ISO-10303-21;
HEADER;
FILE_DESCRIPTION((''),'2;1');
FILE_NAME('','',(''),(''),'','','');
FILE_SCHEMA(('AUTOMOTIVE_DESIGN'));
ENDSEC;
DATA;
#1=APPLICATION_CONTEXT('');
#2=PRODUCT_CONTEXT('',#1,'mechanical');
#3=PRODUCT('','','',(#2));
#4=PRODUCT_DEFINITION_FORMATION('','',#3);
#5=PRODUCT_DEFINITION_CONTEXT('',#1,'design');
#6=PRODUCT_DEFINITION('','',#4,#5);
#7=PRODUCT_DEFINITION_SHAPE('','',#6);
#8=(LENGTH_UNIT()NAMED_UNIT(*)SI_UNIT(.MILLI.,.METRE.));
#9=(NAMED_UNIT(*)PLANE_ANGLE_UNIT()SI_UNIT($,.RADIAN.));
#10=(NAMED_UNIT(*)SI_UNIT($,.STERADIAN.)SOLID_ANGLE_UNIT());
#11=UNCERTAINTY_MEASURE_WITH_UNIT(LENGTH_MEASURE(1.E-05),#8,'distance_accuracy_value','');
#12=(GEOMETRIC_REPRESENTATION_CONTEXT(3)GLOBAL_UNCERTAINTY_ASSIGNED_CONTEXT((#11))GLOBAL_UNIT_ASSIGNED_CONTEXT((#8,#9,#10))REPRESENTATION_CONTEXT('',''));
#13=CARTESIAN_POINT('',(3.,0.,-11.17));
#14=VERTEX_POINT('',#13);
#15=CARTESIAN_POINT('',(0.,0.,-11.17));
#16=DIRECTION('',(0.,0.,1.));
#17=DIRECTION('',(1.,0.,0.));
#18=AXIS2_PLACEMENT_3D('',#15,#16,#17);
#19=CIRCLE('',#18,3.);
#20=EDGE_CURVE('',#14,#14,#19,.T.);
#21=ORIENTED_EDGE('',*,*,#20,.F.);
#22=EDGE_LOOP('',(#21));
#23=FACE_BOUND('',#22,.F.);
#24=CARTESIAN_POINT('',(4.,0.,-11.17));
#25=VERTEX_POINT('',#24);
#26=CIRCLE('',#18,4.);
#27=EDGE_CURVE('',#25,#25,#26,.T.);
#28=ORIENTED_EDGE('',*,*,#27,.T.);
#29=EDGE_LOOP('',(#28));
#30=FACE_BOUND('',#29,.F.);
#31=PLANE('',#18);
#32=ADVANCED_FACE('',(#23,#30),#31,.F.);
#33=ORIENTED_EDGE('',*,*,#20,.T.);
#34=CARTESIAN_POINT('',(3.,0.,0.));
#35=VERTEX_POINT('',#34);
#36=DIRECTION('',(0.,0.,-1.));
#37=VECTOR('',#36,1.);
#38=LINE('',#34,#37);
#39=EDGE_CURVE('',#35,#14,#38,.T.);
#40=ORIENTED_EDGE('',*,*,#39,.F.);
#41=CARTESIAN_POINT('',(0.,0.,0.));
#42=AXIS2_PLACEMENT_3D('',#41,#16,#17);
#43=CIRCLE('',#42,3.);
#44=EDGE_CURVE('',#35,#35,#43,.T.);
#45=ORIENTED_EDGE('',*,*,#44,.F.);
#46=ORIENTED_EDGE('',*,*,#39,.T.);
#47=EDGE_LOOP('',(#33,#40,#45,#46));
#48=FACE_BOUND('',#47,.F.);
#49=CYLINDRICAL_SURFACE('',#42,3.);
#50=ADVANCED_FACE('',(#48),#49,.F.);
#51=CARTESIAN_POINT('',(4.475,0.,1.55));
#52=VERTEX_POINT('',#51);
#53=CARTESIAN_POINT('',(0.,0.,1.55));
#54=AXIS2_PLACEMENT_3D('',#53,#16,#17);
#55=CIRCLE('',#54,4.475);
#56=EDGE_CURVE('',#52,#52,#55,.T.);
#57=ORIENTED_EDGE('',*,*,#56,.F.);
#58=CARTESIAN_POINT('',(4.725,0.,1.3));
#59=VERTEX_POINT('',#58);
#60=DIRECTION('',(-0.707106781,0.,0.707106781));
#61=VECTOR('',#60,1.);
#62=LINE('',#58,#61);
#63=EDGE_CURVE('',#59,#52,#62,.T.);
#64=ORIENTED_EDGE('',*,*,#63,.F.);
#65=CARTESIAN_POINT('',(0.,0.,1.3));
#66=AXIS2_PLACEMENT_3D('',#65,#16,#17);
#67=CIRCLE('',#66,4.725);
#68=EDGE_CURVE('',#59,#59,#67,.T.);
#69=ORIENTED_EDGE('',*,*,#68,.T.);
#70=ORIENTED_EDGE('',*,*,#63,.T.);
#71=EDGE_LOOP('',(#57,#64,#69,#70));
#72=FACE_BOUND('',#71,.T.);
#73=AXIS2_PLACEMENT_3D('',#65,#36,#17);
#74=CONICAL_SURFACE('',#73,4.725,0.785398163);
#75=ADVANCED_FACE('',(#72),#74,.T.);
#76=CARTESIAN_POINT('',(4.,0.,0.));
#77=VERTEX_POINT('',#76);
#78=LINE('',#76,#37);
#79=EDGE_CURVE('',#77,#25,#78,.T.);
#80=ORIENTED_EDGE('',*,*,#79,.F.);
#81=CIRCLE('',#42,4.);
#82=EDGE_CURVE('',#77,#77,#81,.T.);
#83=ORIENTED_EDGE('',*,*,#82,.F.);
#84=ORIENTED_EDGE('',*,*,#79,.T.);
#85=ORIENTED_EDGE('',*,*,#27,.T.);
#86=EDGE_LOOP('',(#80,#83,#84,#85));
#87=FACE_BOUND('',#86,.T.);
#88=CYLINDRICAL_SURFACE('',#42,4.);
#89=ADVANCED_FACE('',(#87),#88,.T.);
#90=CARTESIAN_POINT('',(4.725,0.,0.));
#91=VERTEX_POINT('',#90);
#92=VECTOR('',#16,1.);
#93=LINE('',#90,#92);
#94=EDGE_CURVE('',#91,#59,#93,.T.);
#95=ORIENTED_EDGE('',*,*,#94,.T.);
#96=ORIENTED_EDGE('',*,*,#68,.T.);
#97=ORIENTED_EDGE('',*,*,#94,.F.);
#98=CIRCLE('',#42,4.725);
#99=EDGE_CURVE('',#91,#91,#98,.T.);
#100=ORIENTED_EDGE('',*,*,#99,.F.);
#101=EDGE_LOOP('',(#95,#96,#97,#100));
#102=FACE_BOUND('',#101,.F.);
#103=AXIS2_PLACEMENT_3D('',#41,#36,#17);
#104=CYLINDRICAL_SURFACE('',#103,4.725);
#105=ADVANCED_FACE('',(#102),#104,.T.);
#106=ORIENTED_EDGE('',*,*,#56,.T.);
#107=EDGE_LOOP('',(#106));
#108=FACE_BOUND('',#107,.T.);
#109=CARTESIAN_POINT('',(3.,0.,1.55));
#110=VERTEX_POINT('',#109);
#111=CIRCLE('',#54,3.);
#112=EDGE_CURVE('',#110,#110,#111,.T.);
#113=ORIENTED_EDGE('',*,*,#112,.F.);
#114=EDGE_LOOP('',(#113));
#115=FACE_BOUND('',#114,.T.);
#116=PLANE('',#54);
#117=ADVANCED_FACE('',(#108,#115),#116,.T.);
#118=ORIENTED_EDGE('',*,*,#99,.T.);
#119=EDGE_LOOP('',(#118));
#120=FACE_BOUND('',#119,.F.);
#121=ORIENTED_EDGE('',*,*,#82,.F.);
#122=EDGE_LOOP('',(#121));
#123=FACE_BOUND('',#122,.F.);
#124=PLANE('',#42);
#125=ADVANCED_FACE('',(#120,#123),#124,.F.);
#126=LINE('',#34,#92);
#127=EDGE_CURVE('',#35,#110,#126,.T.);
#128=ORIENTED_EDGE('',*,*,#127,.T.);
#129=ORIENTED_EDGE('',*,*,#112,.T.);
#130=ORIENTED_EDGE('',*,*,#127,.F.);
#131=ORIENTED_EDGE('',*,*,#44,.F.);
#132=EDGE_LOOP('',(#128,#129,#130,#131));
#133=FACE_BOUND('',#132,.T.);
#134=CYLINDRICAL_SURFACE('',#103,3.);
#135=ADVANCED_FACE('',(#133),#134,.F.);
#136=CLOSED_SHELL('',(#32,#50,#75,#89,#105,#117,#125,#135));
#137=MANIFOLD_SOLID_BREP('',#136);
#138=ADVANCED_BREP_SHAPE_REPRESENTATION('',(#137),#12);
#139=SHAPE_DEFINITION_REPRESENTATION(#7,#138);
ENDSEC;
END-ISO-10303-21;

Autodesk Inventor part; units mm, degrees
ref_plane "YZ Plane" through (0, 0, 0) normal (1, 0, 0) x (0, 1, 0)
ref_plane "XZ Plane" through (0, 0, 0) normal (0, 1, 0) x (-1, 0, 0)
ref_plane "XY Plane" through (0, 0, 0) normal (0, 0, 1) x (1, 0, 0)
sketch "Sketch1" plane through (0, 0, 0) normal (0, 0, 1) x (1, 0, 0)
  circle A0 centre (0, 0) radius 4.725
  circle A1 centre (0, 0) radius 3
  circle A2 centre (0, 0) radius 4
  dimension "d0" = 9.45
  dimension "d1" = 6
  dimension "d4" = 8
extrude "Extrusion1" add sketch "Sketch1" along normal blind 1.55 contours A0 | A2
extrude "Extrusion2" add sketch "Sketch1" against normal blind 11.17 contours A2
chamfer "Chamfer1" distance 0.25 angle 45 1 edges at (-4.725, 0, 1.55)
properties part number "Tetrix Bronze Bushing (modified to fit vex couplers)" material "Bronze, Soft Tin"
